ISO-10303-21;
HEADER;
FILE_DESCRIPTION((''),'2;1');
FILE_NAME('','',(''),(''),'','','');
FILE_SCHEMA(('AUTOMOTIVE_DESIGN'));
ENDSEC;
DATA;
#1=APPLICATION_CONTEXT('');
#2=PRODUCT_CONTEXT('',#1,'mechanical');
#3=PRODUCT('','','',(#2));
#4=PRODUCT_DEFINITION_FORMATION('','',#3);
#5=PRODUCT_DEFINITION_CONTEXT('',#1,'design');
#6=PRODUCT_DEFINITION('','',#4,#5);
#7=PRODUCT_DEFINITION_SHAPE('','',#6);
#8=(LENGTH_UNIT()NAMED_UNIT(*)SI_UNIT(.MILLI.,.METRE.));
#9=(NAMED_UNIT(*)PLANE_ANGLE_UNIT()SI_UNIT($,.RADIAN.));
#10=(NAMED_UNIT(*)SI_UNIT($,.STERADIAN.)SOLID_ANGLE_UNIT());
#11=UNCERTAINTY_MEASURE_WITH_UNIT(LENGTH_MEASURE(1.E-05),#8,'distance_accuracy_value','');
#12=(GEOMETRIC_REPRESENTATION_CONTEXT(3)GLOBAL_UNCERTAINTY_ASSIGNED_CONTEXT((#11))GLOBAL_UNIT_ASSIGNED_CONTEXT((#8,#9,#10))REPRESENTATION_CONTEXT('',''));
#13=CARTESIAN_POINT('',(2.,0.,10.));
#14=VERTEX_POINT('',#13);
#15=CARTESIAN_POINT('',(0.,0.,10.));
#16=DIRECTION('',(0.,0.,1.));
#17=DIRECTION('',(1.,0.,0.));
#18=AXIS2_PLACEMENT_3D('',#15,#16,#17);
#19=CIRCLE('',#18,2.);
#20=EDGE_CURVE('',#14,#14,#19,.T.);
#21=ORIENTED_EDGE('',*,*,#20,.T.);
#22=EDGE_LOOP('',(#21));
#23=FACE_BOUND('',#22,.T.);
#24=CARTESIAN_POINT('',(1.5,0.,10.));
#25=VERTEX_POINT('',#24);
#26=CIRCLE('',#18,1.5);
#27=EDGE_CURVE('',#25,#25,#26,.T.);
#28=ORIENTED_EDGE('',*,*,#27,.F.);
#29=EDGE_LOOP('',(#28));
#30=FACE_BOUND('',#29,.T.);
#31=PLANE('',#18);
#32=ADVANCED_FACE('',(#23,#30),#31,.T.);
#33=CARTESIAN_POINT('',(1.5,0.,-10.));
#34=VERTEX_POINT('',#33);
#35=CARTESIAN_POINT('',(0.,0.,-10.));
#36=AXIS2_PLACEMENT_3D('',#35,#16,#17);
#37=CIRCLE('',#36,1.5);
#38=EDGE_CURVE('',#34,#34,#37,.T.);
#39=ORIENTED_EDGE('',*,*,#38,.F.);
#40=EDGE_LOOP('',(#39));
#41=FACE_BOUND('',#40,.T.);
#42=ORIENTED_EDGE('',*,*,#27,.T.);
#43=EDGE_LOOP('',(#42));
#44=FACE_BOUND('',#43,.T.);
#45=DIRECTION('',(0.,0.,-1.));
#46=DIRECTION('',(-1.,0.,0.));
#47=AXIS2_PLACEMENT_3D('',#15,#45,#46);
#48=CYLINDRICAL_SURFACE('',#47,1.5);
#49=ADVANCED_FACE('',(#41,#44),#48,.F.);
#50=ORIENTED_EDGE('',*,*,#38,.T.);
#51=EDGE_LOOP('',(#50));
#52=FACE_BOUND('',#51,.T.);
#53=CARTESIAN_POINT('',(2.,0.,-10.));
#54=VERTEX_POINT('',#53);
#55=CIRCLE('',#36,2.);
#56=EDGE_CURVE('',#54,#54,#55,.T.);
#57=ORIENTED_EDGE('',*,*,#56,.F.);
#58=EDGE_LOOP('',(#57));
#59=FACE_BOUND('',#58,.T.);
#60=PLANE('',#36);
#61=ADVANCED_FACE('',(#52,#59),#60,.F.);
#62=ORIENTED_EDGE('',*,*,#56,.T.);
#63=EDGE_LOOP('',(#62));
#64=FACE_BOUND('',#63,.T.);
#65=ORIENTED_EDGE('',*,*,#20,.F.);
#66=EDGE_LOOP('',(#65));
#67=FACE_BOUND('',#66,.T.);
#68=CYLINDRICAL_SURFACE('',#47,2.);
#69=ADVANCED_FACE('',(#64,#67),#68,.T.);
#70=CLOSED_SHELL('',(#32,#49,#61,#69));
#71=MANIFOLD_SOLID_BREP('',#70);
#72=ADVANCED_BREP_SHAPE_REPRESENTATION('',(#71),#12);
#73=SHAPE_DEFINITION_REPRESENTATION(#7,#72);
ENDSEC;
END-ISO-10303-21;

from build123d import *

# Parameters (mm, degrees)
PROFILES_R    = 2
PROFILES_R_2  = 1.5
PROFILE_DEPTH = 10


with BuildPart() as part:
    # ProfileS → Profile (new, symmetric)
    with BuildSketch(Plane.XY):
        Circle(PROFILES_R)
        Circle(PROFILES_R_2, mode=Mode.SUBTRACT)
    extrude(amount=PROFILE_DEPTH, both=True)


solid = part.part
